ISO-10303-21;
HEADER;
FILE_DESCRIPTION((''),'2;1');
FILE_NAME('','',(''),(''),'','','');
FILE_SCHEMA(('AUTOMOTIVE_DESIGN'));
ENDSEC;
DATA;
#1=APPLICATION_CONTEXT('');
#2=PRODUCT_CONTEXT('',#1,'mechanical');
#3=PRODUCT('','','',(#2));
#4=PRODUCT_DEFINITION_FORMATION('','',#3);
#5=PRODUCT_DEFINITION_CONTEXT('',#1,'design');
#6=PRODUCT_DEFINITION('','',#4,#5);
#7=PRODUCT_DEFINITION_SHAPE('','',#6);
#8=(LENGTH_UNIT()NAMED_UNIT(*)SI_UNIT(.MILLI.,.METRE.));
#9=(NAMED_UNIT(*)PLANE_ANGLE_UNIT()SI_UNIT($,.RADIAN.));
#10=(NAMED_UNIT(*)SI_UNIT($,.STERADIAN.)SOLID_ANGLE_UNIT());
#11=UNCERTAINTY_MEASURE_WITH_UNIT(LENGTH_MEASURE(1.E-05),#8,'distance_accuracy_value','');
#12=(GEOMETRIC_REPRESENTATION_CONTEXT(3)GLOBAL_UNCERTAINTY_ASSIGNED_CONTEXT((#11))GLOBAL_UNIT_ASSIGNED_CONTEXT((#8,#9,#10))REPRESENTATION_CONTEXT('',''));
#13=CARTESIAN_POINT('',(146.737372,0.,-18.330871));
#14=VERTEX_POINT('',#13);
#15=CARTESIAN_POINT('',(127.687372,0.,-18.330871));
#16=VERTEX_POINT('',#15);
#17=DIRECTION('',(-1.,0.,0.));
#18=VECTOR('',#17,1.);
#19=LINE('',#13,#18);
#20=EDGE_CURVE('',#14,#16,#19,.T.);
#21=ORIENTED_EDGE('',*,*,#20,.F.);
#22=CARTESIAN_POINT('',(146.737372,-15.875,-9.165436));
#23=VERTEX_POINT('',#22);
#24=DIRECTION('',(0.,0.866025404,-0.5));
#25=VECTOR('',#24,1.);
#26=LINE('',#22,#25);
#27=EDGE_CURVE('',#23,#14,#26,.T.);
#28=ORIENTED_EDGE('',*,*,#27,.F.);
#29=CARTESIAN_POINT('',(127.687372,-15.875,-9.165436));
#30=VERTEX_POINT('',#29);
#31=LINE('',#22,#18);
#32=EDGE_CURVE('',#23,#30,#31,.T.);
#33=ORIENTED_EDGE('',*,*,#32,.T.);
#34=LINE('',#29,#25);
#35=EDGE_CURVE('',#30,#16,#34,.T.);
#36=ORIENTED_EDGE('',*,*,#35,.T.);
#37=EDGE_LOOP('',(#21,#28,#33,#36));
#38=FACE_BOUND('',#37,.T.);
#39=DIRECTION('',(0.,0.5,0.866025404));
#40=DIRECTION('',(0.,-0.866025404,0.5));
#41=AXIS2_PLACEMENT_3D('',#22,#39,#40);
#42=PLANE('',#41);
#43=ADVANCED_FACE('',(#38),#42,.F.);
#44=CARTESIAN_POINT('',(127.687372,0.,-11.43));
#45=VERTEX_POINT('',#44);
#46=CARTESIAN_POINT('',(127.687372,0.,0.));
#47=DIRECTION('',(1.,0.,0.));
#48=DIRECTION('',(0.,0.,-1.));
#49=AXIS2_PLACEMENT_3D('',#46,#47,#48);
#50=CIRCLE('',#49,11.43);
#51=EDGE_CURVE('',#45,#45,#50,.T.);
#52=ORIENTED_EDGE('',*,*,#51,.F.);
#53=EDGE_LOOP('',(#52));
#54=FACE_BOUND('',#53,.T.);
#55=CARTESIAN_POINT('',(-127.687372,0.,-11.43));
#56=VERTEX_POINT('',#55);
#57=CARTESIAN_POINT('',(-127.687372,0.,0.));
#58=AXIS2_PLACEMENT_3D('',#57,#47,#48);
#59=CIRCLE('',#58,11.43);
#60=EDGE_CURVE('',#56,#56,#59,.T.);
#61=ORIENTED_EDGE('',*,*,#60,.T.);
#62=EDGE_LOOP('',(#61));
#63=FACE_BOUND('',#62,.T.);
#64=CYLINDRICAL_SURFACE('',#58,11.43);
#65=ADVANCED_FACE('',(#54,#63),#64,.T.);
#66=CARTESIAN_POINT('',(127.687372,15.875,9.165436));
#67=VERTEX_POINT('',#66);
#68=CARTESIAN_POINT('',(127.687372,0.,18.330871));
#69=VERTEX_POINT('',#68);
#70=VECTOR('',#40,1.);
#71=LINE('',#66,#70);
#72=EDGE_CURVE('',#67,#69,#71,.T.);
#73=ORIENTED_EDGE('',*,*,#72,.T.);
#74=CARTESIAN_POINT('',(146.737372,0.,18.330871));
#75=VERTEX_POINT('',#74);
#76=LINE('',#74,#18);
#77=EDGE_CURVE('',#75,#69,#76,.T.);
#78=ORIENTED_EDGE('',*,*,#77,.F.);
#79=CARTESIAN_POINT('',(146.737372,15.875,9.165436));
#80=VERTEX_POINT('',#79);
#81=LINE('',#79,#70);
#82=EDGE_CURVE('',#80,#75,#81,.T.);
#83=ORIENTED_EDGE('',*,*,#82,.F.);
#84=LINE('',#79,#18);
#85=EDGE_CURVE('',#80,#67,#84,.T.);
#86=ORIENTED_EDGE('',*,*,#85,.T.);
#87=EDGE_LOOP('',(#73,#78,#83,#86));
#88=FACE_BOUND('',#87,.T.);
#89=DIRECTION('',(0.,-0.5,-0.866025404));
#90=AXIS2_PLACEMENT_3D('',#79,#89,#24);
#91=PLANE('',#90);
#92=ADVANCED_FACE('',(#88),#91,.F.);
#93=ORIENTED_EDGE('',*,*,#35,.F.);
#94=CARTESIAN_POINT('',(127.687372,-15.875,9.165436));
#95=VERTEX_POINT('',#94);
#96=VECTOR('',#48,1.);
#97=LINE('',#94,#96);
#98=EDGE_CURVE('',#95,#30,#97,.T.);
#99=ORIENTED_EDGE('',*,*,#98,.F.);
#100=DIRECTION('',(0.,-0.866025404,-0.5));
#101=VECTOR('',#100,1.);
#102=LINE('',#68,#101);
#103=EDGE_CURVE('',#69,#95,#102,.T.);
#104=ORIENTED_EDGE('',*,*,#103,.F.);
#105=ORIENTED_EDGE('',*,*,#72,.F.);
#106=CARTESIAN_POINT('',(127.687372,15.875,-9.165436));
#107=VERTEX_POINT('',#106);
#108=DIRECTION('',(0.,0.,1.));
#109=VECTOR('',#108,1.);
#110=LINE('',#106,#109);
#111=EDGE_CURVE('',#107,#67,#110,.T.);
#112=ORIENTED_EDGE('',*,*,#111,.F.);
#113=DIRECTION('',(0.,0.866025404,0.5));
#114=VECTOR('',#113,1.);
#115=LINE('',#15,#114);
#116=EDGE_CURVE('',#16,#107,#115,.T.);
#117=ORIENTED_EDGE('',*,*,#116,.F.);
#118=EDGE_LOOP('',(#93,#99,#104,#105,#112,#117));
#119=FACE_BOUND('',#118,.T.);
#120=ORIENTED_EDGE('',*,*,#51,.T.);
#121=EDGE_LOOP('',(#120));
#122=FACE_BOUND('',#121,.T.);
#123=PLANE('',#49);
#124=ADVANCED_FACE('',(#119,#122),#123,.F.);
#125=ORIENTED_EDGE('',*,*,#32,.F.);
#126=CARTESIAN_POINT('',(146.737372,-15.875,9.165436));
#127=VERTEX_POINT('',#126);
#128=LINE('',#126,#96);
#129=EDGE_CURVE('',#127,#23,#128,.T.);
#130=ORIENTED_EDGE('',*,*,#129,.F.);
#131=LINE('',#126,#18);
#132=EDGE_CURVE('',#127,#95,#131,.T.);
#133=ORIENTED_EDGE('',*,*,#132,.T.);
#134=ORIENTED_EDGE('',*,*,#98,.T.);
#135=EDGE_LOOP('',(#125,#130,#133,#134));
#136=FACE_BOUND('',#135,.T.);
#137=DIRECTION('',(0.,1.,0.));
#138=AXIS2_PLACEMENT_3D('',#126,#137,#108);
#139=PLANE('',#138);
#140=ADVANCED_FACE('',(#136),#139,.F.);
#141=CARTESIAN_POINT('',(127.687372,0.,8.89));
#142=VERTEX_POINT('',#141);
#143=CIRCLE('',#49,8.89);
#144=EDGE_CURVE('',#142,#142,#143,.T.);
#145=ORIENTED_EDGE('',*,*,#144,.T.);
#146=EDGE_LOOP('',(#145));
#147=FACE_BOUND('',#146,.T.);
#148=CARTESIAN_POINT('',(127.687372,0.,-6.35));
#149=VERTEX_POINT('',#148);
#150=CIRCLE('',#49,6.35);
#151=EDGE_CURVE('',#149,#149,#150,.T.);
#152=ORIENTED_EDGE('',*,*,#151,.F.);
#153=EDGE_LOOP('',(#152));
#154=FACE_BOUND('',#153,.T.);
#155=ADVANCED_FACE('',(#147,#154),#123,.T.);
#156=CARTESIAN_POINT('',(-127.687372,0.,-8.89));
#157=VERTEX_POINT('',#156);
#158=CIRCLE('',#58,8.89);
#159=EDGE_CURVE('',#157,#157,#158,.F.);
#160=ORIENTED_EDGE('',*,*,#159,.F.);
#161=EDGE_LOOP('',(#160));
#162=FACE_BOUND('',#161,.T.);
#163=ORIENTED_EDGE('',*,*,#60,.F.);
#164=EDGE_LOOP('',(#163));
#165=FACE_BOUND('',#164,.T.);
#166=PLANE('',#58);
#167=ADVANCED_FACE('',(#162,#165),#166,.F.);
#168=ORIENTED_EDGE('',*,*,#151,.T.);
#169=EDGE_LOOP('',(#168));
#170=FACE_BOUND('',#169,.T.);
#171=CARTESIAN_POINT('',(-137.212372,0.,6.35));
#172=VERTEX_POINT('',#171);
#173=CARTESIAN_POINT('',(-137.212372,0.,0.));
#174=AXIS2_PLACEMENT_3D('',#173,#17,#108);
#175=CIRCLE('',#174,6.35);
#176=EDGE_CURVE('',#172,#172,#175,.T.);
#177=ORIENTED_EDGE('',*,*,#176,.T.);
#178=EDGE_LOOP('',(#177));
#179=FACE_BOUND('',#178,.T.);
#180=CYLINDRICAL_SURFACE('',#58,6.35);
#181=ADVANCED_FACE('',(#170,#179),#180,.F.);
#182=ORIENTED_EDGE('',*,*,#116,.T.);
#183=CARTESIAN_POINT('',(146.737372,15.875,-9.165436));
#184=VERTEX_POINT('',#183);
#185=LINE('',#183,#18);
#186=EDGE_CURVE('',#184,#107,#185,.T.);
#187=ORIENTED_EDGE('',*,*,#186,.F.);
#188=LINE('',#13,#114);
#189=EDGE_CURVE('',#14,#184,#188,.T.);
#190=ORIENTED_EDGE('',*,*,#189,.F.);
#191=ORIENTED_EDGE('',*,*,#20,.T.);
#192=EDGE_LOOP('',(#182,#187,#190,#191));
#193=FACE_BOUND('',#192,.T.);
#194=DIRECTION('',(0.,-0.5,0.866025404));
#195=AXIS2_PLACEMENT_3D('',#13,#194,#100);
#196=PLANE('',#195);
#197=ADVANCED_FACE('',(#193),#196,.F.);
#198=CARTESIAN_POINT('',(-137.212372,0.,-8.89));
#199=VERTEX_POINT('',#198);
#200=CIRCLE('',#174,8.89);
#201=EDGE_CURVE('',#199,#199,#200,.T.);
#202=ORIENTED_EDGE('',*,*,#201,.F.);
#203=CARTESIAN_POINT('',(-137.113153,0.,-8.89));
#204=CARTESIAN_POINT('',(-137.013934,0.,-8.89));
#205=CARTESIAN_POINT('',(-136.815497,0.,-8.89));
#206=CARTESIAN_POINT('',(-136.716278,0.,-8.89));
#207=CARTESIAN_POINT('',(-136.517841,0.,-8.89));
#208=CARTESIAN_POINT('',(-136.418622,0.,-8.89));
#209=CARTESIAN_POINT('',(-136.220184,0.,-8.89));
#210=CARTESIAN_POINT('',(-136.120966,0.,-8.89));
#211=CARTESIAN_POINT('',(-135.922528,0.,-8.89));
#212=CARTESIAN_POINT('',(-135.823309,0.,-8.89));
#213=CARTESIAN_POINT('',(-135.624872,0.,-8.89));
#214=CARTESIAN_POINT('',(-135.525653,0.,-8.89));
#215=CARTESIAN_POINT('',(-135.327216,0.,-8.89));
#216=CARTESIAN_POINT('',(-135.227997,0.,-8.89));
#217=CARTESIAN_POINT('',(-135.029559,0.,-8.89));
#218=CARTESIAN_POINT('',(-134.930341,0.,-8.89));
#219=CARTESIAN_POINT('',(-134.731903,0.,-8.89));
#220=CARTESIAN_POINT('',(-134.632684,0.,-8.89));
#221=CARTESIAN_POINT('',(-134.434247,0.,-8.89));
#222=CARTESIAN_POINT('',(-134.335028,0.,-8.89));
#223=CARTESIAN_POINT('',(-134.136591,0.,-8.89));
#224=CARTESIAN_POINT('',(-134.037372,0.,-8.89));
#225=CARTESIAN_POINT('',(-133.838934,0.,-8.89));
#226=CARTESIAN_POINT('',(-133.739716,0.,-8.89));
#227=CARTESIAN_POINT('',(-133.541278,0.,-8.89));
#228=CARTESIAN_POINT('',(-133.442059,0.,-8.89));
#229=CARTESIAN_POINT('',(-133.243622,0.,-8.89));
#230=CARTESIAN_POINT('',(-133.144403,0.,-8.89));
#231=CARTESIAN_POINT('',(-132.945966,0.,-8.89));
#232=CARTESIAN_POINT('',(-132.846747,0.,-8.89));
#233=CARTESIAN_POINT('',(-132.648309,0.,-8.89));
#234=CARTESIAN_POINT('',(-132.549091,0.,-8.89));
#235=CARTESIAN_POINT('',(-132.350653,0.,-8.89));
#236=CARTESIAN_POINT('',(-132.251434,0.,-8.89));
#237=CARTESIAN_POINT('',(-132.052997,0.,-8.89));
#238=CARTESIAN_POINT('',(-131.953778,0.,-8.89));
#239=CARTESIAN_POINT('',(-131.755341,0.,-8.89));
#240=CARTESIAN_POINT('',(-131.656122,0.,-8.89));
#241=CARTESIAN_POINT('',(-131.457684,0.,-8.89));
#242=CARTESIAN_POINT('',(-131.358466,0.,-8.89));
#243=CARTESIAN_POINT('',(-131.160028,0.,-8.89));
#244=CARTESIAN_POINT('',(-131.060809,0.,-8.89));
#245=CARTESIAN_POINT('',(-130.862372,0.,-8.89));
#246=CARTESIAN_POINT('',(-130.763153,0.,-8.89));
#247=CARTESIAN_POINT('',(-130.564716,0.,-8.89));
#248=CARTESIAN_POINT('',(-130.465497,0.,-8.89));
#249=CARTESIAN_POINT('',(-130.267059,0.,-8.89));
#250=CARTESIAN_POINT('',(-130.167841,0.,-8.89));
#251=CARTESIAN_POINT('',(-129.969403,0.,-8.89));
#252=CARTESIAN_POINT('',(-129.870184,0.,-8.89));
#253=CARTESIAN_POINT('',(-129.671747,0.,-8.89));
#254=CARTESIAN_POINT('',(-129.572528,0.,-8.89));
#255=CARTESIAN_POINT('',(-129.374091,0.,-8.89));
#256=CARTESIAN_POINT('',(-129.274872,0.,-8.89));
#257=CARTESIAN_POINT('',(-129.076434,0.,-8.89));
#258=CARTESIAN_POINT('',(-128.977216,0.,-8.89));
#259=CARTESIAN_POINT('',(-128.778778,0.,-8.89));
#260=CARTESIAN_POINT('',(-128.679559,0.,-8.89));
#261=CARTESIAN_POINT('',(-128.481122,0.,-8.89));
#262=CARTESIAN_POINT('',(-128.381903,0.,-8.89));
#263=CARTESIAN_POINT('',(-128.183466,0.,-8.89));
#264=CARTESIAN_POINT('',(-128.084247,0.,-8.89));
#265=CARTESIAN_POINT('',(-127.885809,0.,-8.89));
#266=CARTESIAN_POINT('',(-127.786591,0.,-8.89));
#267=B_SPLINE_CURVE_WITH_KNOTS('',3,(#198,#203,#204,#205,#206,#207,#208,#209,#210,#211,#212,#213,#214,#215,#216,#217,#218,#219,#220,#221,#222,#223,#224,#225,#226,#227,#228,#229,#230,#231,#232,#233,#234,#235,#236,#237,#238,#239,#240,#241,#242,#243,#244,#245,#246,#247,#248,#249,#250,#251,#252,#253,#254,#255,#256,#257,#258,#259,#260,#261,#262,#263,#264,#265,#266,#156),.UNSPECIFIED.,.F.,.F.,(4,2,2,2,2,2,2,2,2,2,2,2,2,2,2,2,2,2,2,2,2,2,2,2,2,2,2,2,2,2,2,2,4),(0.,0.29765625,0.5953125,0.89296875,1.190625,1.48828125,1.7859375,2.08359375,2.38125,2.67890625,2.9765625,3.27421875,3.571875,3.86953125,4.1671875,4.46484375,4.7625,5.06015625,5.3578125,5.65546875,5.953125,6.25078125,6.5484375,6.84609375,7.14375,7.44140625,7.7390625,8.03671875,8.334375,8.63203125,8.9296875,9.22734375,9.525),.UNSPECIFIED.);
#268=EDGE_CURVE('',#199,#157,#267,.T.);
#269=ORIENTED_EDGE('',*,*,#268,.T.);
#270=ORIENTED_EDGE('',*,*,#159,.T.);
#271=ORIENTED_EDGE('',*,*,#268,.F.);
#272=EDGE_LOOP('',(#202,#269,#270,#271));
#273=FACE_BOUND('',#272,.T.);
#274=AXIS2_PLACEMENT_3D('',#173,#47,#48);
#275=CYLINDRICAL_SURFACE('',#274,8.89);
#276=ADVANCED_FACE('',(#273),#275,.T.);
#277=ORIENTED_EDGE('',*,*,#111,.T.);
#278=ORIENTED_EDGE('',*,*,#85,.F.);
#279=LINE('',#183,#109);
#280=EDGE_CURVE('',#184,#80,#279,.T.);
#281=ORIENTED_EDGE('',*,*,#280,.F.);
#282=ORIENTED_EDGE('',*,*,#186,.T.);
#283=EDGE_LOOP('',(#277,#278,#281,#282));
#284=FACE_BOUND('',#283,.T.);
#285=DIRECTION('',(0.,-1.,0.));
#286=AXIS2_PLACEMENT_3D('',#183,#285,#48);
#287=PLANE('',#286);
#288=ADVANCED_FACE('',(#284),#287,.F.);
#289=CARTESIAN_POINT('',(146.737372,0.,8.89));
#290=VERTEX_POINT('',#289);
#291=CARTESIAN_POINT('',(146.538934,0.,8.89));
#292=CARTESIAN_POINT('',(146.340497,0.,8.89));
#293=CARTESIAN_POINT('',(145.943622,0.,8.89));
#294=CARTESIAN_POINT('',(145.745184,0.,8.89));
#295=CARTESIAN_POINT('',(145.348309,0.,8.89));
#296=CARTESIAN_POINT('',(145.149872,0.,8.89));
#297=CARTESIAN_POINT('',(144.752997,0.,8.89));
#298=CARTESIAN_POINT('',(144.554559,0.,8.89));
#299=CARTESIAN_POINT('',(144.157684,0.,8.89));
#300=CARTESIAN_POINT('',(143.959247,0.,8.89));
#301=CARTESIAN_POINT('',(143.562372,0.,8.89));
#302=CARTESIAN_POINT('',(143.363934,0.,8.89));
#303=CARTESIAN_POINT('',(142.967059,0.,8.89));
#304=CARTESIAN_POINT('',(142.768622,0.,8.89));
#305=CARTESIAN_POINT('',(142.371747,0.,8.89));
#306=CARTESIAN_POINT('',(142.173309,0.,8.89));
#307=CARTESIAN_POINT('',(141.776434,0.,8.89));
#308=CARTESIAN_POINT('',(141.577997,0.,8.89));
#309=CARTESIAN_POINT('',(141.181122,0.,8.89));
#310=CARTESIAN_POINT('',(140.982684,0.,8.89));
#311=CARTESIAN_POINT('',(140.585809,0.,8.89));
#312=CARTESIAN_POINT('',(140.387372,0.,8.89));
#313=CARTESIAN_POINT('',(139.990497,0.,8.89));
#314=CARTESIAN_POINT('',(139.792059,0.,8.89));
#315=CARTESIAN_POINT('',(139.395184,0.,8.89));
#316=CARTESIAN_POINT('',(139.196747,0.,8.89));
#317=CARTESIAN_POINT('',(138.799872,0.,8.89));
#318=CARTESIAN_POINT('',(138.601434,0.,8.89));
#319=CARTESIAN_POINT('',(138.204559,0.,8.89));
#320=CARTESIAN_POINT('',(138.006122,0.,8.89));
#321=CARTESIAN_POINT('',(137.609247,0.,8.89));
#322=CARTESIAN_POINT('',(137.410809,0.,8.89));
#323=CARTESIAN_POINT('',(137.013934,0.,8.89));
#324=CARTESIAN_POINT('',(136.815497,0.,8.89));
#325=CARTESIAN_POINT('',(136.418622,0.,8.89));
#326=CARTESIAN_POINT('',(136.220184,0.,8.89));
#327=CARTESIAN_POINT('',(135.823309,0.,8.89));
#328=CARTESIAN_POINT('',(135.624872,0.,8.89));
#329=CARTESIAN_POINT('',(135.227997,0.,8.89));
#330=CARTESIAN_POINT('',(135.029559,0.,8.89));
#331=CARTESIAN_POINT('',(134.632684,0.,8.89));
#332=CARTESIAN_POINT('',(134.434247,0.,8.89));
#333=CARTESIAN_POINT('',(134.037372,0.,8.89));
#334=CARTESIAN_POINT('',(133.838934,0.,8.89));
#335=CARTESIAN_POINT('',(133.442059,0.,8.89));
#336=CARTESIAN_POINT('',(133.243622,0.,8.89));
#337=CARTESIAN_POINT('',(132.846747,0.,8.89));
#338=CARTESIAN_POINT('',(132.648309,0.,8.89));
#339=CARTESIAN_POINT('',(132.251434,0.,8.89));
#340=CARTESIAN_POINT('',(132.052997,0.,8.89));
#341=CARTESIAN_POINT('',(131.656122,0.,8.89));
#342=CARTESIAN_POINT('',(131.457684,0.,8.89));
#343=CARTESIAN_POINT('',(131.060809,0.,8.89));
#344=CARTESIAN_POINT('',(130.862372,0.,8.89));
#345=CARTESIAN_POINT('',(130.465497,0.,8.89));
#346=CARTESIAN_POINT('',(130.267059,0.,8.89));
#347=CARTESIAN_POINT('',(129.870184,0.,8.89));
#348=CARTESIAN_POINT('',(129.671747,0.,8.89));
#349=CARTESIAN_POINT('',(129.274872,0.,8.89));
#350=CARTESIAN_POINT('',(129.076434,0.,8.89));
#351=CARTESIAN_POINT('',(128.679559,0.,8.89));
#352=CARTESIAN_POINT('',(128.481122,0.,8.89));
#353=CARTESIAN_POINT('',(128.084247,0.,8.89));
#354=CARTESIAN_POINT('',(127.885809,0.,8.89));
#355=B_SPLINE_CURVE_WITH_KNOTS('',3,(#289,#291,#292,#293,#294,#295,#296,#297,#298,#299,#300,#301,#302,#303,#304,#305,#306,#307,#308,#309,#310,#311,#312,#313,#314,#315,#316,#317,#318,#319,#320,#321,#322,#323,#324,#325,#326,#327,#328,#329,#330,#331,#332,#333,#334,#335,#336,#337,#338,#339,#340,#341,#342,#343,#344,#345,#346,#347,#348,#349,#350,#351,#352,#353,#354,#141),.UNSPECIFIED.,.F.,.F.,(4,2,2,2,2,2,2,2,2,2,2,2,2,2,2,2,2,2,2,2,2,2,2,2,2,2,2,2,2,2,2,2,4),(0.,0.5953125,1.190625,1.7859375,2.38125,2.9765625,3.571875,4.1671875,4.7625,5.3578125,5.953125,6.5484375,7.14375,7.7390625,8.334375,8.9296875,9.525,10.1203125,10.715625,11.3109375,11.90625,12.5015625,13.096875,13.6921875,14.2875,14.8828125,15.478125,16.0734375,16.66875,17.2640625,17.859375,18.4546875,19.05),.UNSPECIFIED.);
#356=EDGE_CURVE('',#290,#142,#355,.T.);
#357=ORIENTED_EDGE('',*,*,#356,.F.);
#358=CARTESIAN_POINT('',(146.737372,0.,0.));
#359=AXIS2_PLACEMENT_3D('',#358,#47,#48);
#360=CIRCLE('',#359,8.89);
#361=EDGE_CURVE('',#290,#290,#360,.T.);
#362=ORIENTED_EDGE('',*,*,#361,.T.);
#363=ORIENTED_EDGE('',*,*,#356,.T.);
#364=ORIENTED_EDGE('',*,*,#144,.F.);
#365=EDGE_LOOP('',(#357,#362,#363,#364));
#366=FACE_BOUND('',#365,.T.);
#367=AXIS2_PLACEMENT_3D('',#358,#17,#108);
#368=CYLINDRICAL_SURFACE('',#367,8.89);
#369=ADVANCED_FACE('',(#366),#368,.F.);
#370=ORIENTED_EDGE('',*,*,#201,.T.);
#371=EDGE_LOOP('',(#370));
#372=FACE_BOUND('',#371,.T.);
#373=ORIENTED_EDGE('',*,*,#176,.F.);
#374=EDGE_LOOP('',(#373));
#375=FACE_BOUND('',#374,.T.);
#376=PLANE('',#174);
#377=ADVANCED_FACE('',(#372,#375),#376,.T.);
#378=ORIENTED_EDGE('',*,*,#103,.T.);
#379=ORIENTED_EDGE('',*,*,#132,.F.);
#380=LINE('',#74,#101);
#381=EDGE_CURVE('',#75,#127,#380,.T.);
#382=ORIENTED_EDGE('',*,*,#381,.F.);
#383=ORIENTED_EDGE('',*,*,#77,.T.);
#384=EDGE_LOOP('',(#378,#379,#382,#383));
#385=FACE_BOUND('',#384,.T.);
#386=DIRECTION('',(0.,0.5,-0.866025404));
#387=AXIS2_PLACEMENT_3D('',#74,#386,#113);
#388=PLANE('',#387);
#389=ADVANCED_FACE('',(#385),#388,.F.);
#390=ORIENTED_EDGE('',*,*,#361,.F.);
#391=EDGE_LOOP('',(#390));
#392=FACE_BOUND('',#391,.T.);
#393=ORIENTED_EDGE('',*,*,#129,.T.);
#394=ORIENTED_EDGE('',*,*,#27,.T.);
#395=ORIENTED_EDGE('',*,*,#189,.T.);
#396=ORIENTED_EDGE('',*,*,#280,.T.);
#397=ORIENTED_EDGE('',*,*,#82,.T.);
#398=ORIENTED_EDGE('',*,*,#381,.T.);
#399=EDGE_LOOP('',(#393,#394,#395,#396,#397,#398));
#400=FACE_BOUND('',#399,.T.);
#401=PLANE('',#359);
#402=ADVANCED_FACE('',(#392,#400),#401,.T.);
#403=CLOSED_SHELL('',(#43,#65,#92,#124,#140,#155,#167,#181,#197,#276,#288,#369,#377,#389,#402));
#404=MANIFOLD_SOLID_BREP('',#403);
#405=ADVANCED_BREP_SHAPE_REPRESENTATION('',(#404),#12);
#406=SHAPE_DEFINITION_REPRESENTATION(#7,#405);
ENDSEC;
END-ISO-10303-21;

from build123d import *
from build123d.topology import SkipClean

# Parameters (mm, degrees)
SWEEP_THIN1_PROFILE_R   = 11.43
SWEEP_THIN1_PROFILE_R_2 = 6.35
SKETCH14_R              = 8.89
BOSS_EXTRUDE1_DEPTH     = 19.05
SKETCH15_R              = 8.89
SKETCH15_R_2            = 6.35
BOSS_EXTRUDE2_DEPTH     = 9.525


with BuildPart() as part:
    # Sweep-Thin1: sweep along a curve in space
    with BuildLine() as sweep_thin1_path:
        Line((-127.687371879, 0, 0), (127.687371879, 0, 0))
    # Sweep-Thin1 profile (on start of the path) → Sweep-Thin1 (sweep)
    with BuildSketch(Plane(origin=(-127.687371879, 0, 0), x_dir=(0, 0, 1), z_dir=(1, 0, 0))):
        Circle(SWEEP_THIN1_PROFILE_R)
        Circle(SWEEP_THIN1_PROFILE_R_2, mode=Mode.SUBTRACT)
    sweep(path=sweep_thin1_path.line)

    # Sketch14 → Boss-Extrude1 (add)
    with BuildSketch(Plane(origin=(127.687371879, 0, 0), x_dir=(0, 0, -1), z_dir=(1, 0, 0))):
        Polygon((9.165435523, 15.875), (-9.165435523, 15.875), (-18.330871047, 0), (-9.165435523, -15.875), (9.165435523, -15.875), (18.330871047, 0), align=None)
        with Locations(Location((0, 0, 0), (0, 0, 180))):
            Circle(SKETCH14_R, mode=Mode.SUBTRACT)
    extrude(amount=BOSS_EXTRUDE1_DEPTH)

    # Sketch15 → Boss-Extrude2 (add)
    with SkipClean():  # the faces are left unmerged after this step: merging them gives an invalid solid
        with BuildSketch(Plane.ZY.offset(127.687371879)):
            Circle(SKETCH15_R)
            with Locations(Location((0, 0, 0), (0, 0, 180))):
                Circle(SKETCH15_R_2, mode=Mode.SUBTRACT)
        extrude(amount=BOSS_EXTRUDE2_DEPTH)


solid = part.part
